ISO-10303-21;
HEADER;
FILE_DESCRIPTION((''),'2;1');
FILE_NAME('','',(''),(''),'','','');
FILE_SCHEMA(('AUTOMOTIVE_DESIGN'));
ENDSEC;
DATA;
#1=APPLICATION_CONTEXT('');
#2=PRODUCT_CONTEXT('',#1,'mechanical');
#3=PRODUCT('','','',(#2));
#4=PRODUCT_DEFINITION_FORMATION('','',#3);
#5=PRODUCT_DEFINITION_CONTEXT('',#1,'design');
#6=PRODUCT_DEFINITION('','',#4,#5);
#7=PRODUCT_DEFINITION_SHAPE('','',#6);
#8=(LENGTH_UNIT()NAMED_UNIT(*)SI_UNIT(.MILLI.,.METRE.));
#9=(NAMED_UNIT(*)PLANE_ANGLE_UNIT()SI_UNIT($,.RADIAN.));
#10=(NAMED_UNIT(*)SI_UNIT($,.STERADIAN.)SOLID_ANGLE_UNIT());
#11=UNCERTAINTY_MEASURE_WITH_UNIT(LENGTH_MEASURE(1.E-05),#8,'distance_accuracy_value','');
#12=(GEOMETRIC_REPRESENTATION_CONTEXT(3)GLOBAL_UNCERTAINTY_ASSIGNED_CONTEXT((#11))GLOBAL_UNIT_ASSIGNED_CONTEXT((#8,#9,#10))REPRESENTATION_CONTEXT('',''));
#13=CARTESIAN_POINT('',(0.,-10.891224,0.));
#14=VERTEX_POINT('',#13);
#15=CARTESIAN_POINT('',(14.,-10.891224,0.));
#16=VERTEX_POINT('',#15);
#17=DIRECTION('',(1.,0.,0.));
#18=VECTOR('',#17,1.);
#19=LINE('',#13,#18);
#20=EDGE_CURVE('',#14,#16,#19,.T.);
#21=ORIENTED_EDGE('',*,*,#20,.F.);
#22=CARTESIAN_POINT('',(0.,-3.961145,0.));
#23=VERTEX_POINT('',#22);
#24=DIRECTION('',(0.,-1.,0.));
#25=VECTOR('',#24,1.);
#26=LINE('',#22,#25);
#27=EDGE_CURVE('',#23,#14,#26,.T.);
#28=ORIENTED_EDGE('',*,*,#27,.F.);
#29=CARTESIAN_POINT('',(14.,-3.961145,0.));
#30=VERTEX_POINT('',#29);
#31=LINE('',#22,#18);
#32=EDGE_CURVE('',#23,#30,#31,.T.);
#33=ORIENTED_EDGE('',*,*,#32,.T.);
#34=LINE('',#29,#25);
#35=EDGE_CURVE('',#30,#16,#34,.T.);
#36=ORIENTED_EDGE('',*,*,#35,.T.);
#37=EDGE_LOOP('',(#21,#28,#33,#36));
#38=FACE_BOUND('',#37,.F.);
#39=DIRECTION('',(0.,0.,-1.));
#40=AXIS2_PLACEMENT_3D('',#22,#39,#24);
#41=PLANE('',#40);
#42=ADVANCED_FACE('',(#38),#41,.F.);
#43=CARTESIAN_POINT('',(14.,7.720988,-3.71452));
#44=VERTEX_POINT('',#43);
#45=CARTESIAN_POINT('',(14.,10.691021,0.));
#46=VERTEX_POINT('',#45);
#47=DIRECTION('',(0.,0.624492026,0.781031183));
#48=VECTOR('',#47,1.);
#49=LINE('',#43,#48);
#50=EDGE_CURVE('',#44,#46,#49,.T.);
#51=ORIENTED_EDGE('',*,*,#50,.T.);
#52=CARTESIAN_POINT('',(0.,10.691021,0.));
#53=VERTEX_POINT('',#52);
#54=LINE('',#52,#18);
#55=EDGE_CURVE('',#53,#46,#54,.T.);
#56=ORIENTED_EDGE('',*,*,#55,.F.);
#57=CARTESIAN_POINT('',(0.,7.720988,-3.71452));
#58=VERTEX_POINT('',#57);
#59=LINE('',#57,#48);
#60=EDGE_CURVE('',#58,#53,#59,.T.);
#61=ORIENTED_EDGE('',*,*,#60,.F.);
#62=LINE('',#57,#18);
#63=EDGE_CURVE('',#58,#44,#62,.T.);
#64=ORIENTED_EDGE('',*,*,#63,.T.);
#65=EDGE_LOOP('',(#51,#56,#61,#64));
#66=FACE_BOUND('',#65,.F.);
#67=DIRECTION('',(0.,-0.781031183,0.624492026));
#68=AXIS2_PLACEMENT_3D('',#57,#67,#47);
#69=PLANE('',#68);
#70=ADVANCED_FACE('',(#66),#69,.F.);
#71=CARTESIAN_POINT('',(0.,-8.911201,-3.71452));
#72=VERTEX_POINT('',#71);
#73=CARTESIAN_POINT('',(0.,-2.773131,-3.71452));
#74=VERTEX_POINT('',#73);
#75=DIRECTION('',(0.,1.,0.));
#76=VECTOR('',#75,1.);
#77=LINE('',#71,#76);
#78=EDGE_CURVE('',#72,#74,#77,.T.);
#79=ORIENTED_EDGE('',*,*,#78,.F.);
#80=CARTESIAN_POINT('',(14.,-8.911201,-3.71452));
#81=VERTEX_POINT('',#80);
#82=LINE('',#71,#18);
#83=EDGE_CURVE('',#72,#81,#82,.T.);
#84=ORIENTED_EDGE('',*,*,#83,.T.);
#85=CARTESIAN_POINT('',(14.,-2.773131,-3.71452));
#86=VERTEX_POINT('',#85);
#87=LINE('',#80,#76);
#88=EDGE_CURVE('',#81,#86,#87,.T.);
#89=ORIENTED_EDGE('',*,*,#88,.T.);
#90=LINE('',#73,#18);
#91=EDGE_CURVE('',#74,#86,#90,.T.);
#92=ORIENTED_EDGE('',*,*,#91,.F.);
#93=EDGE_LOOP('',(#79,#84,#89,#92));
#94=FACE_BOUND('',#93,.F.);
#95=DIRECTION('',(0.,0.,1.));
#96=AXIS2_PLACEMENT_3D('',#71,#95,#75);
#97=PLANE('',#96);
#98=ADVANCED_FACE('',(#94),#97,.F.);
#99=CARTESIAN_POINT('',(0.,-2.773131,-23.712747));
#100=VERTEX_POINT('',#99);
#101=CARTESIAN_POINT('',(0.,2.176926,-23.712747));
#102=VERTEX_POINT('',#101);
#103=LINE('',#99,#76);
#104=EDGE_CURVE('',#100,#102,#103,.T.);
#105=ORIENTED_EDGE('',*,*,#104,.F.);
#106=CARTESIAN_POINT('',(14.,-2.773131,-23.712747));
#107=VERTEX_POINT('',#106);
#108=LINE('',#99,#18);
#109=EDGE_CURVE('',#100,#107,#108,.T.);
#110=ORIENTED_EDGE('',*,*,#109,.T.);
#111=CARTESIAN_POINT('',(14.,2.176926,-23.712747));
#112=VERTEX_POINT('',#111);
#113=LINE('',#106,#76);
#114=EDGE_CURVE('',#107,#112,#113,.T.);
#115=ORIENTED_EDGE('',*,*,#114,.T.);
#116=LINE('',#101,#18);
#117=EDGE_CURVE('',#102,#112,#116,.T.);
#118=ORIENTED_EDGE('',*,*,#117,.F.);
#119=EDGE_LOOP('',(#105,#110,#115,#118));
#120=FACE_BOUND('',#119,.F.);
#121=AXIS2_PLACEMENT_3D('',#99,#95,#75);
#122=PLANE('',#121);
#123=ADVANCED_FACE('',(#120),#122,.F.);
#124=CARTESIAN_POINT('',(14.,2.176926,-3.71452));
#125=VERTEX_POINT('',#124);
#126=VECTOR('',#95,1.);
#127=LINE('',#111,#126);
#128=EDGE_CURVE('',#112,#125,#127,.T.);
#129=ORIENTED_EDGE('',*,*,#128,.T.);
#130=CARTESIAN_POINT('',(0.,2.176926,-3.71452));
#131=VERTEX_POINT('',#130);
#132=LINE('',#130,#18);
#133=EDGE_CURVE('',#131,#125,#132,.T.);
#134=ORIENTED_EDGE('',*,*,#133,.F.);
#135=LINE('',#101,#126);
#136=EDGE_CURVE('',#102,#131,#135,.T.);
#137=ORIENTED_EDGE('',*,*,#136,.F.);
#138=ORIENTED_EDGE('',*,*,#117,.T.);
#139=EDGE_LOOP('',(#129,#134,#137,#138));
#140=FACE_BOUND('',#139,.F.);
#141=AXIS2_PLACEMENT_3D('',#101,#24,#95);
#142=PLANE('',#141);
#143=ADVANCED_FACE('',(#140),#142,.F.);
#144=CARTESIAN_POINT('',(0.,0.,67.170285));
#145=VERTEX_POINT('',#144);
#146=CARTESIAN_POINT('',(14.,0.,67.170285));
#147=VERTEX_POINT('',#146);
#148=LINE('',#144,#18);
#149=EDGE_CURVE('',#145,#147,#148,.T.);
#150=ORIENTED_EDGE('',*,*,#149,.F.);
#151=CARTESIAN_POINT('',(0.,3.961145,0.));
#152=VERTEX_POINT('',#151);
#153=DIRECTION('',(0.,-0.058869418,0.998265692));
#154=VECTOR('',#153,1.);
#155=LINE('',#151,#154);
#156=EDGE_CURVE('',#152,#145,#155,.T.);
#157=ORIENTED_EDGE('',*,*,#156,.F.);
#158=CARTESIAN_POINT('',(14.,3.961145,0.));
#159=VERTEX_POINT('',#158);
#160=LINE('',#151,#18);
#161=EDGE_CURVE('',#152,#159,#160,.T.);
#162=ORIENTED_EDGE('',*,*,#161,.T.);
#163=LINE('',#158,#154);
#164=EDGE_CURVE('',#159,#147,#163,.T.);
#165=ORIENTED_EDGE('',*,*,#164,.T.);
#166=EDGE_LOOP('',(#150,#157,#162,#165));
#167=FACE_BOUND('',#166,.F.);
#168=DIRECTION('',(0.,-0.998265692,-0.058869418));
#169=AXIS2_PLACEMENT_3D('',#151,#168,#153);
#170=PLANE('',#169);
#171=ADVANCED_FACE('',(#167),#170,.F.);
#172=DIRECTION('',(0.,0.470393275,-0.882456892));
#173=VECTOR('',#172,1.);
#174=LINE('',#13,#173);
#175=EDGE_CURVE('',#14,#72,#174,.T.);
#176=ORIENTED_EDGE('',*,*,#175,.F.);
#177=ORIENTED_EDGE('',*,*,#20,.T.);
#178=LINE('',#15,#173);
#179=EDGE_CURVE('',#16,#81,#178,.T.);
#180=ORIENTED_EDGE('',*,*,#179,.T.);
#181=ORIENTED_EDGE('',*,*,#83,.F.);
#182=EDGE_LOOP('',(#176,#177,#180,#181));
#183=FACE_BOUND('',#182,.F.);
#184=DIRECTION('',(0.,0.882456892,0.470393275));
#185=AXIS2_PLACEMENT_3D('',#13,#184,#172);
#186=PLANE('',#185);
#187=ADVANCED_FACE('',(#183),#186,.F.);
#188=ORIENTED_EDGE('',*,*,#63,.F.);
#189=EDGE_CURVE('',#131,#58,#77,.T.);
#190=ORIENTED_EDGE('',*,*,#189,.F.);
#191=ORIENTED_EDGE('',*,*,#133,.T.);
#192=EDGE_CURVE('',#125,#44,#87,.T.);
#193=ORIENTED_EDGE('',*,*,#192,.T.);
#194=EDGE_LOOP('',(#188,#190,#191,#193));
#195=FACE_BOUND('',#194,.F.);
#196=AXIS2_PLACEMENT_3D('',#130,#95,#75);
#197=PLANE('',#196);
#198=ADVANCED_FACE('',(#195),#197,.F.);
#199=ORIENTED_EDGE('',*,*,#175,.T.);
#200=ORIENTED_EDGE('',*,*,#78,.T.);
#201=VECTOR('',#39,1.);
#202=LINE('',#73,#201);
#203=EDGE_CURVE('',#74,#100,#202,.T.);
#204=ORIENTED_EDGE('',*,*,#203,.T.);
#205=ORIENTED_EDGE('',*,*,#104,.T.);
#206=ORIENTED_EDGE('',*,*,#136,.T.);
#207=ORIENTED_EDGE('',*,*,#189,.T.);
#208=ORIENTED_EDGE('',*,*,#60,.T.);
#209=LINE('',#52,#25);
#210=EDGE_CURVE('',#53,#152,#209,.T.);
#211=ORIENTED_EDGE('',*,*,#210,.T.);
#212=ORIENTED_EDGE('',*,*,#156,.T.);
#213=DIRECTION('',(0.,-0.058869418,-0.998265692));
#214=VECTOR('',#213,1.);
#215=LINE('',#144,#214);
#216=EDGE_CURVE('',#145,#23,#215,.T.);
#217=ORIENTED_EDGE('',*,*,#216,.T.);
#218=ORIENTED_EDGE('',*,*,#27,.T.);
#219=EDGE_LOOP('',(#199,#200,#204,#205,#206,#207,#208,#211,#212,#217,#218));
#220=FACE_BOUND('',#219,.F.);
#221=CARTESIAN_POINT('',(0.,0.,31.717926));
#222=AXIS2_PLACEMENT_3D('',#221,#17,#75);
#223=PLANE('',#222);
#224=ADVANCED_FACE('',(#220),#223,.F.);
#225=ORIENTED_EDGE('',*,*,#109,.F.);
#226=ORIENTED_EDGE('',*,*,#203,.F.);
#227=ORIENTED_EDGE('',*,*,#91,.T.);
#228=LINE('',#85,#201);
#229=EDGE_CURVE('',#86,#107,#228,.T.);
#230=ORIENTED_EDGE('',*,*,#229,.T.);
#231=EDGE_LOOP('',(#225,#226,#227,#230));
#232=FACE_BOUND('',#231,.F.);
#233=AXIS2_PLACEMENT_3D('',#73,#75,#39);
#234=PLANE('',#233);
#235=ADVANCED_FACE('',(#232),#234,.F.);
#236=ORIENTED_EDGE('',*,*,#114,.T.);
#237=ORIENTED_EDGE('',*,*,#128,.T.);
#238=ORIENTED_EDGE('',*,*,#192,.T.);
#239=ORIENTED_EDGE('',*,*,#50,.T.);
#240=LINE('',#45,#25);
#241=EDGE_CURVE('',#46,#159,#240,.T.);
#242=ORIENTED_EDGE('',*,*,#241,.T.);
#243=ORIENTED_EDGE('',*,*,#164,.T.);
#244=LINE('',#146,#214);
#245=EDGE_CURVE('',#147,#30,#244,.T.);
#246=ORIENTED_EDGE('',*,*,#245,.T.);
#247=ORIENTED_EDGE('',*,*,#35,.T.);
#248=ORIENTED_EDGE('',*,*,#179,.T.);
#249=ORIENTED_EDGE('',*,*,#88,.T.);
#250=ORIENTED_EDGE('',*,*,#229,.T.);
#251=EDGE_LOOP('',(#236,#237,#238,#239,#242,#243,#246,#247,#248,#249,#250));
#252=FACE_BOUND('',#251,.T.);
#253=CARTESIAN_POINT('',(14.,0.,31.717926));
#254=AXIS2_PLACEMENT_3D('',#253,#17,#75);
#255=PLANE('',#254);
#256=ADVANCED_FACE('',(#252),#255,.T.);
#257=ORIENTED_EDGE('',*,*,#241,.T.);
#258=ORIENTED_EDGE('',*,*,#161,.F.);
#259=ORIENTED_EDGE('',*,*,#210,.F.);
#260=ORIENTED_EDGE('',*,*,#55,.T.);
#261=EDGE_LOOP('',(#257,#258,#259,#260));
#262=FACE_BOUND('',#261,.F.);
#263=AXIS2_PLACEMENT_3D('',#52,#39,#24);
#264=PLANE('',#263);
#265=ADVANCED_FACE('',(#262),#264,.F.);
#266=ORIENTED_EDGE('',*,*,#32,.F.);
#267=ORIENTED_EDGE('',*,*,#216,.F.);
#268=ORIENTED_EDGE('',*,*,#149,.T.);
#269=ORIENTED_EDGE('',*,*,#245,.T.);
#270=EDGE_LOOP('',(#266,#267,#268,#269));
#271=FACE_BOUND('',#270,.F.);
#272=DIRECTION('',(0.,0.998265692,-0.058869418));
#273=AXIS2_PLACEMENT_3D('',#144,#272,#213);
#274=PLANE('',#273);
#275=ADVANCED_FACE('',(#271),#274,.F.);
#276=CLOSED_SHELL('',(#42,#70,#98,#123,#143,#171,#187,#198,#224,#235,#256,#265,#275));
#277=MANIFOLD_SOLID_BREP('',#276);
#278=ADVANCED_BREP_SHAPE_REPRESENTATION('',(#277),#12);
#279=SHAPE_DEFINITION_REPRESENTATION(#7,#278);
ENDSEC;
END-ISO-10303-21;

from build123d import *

# Parameters (mm, degrees)
F1_DEPTH = 14


with BuildPart() as f1:
    # F0 (on Right) → F1 (new body)
    with BuildSketch(Plane.YZ):
        Polygon((0, 67.1702846885), (-3.9611454122, 0), (3.9611454122, 0), align=None)
        Polygon((-3.9611454122, 0), (-10.8912242576, 0), (-8.911200799, -3.7145202514), (-2.7731307782, -3.7145202514), (2.17692554, -3.7145202514), (7.7209877782, -3.7145202514), (10.6910206378, 0), (3.9611454122, 0), align=None)
        Polygon((2.17692554, -3.7145202514), (-2.7731307782, -3.7145202514), (-0.343102162, -5.0753362993), align=None)
        Polygon((-0.343102162, -5.0753362993), (-2.7731307782, -6.3875528021), (-0.0231002569, -7.7625671073), (2.17692554, -6.4865518361), align=None)
        Polygon((-0.343102162, -5.0753362993), (-2.7731307782, -3.7145202514), (-2.7731307782, -6.3875528021), align=None)
        Polygon((2.17692554, -6.4865518361), (2.17692554, -3.7145202514), (-0.343102162, -5.0753362993), align=None)
        Polygon((-0.0231002569, -7.7625671073), (-2.7731307782, -6.3875528021), (-2.7731307782, -9.357585196), align=None)
        Polygon((2.17692554, -8.8625792414), (2.17692554, -6.4865518361), (-0.0231002569, -7.7625671073), align=None)
        Polygon((-0.0231002569, -7.7625671073), (-2.7731307782, -9.357585196), (-0.4283671716, -10.5299661847), (2.17692554, -8.8625792414), align=None)
        Polygon((-0.4283671716, -10.5299661847), (-2.7731307782, -9.357585196), (-2.7731307782, -12.03061454), align=None)
        Polygon((2.17692554, -11.8326116353), (2.17692554, -8.8625792414), (-0.4283671716, -10.5299661847), align=None)
        Polygon((-0.4283671716, -10.5299661847), (-2.7731307782, -12.03061454), (-0.4356046237, -12.8253733556), (2.17692554, -11.8326116353), align=None)
        Polygon((2.17692554, -13.7136335252), (2.17692554, -11.8326116353), (-0.4356046237, -12.8253733556), align=None)
        Polygon((-0.4356046237, -12.8253733556), (-2.7731307782, -12.03061454), (-2.7731307782, -13.7136335252), align=None)
        Polygon((-0.2981026191, -15.3449020034), (-2.7731307782, -13.7136335252), (-2.7731307782, -16.9761704816), align=None)
        Polygon((2.17692554, -16.9761704816), (2.17692554, -13.7136335252), (-0.2981026191, -15.3449020034), align=None)
        Polygon((-0.2981026191, -15.3449020034), (-2.7731307782, -16.9761704816), (-0.2981026191, -18.364436113), (2.17692554, -16.9761704816), align=None)
        Polygon((-0.2981026191, -18.364436113), (-2.7731307782, -16.9761704816), (-2.7731307782, -19.7527017444), align=None)
        Polygon((2.17692554, -19.7527017444), (2.17692554, -16.9761704816), (-0.2981026191, -18.364436113), align=None)
        Polygon((-0.2981026191, -20.5447105691), (-2.7731307782, -19.7527017444), (-2.7731307782, -21.3367193937), align=None)
        Polygon((-0.2981026191, -18.364436113), (-2.7731307782, -19.7527017444), (-0.2981026191, -20.5447105691), (2.17692554, -19.7527017444), align=None)
        Polygon((2.17692554, -21.3367193937), (2.17692554, -19.7527017444), (-0.2981026191, -20.5447105691), align=None)
        Polygon((-0.2981026191, -20.5447105691), (-2.7731307782, -21.3367193937), (-0.2981026191, -22.5247330964), (2.17692554, -21.3367193937), align=None)
        Polygon((-0.2981026191, -22.5247330964), (-2.7731307782, -21.3367193937), (-2.7731307782, -23.712746799), align=None)
        Polygon((-0.2981026191, -22.5247330964), (-2.7731307782, -23.712746799), (2.17692554, -23.712746799), align=None)
        Polygon((2.17692554, -23.712746799), (2.17692554, -21.3367193937), (-0.2981026191, -22.5247330964), align=None)
        Polygon((-0.4356046237, -12.8253733556), (-2.7731307782, -13.7136335252), (-0.2981026191, -15.3449020034), (2.17692554, -13.7136335252), align=None)
    extrude(amount=F1_DEPTH)


solid = f1.part
